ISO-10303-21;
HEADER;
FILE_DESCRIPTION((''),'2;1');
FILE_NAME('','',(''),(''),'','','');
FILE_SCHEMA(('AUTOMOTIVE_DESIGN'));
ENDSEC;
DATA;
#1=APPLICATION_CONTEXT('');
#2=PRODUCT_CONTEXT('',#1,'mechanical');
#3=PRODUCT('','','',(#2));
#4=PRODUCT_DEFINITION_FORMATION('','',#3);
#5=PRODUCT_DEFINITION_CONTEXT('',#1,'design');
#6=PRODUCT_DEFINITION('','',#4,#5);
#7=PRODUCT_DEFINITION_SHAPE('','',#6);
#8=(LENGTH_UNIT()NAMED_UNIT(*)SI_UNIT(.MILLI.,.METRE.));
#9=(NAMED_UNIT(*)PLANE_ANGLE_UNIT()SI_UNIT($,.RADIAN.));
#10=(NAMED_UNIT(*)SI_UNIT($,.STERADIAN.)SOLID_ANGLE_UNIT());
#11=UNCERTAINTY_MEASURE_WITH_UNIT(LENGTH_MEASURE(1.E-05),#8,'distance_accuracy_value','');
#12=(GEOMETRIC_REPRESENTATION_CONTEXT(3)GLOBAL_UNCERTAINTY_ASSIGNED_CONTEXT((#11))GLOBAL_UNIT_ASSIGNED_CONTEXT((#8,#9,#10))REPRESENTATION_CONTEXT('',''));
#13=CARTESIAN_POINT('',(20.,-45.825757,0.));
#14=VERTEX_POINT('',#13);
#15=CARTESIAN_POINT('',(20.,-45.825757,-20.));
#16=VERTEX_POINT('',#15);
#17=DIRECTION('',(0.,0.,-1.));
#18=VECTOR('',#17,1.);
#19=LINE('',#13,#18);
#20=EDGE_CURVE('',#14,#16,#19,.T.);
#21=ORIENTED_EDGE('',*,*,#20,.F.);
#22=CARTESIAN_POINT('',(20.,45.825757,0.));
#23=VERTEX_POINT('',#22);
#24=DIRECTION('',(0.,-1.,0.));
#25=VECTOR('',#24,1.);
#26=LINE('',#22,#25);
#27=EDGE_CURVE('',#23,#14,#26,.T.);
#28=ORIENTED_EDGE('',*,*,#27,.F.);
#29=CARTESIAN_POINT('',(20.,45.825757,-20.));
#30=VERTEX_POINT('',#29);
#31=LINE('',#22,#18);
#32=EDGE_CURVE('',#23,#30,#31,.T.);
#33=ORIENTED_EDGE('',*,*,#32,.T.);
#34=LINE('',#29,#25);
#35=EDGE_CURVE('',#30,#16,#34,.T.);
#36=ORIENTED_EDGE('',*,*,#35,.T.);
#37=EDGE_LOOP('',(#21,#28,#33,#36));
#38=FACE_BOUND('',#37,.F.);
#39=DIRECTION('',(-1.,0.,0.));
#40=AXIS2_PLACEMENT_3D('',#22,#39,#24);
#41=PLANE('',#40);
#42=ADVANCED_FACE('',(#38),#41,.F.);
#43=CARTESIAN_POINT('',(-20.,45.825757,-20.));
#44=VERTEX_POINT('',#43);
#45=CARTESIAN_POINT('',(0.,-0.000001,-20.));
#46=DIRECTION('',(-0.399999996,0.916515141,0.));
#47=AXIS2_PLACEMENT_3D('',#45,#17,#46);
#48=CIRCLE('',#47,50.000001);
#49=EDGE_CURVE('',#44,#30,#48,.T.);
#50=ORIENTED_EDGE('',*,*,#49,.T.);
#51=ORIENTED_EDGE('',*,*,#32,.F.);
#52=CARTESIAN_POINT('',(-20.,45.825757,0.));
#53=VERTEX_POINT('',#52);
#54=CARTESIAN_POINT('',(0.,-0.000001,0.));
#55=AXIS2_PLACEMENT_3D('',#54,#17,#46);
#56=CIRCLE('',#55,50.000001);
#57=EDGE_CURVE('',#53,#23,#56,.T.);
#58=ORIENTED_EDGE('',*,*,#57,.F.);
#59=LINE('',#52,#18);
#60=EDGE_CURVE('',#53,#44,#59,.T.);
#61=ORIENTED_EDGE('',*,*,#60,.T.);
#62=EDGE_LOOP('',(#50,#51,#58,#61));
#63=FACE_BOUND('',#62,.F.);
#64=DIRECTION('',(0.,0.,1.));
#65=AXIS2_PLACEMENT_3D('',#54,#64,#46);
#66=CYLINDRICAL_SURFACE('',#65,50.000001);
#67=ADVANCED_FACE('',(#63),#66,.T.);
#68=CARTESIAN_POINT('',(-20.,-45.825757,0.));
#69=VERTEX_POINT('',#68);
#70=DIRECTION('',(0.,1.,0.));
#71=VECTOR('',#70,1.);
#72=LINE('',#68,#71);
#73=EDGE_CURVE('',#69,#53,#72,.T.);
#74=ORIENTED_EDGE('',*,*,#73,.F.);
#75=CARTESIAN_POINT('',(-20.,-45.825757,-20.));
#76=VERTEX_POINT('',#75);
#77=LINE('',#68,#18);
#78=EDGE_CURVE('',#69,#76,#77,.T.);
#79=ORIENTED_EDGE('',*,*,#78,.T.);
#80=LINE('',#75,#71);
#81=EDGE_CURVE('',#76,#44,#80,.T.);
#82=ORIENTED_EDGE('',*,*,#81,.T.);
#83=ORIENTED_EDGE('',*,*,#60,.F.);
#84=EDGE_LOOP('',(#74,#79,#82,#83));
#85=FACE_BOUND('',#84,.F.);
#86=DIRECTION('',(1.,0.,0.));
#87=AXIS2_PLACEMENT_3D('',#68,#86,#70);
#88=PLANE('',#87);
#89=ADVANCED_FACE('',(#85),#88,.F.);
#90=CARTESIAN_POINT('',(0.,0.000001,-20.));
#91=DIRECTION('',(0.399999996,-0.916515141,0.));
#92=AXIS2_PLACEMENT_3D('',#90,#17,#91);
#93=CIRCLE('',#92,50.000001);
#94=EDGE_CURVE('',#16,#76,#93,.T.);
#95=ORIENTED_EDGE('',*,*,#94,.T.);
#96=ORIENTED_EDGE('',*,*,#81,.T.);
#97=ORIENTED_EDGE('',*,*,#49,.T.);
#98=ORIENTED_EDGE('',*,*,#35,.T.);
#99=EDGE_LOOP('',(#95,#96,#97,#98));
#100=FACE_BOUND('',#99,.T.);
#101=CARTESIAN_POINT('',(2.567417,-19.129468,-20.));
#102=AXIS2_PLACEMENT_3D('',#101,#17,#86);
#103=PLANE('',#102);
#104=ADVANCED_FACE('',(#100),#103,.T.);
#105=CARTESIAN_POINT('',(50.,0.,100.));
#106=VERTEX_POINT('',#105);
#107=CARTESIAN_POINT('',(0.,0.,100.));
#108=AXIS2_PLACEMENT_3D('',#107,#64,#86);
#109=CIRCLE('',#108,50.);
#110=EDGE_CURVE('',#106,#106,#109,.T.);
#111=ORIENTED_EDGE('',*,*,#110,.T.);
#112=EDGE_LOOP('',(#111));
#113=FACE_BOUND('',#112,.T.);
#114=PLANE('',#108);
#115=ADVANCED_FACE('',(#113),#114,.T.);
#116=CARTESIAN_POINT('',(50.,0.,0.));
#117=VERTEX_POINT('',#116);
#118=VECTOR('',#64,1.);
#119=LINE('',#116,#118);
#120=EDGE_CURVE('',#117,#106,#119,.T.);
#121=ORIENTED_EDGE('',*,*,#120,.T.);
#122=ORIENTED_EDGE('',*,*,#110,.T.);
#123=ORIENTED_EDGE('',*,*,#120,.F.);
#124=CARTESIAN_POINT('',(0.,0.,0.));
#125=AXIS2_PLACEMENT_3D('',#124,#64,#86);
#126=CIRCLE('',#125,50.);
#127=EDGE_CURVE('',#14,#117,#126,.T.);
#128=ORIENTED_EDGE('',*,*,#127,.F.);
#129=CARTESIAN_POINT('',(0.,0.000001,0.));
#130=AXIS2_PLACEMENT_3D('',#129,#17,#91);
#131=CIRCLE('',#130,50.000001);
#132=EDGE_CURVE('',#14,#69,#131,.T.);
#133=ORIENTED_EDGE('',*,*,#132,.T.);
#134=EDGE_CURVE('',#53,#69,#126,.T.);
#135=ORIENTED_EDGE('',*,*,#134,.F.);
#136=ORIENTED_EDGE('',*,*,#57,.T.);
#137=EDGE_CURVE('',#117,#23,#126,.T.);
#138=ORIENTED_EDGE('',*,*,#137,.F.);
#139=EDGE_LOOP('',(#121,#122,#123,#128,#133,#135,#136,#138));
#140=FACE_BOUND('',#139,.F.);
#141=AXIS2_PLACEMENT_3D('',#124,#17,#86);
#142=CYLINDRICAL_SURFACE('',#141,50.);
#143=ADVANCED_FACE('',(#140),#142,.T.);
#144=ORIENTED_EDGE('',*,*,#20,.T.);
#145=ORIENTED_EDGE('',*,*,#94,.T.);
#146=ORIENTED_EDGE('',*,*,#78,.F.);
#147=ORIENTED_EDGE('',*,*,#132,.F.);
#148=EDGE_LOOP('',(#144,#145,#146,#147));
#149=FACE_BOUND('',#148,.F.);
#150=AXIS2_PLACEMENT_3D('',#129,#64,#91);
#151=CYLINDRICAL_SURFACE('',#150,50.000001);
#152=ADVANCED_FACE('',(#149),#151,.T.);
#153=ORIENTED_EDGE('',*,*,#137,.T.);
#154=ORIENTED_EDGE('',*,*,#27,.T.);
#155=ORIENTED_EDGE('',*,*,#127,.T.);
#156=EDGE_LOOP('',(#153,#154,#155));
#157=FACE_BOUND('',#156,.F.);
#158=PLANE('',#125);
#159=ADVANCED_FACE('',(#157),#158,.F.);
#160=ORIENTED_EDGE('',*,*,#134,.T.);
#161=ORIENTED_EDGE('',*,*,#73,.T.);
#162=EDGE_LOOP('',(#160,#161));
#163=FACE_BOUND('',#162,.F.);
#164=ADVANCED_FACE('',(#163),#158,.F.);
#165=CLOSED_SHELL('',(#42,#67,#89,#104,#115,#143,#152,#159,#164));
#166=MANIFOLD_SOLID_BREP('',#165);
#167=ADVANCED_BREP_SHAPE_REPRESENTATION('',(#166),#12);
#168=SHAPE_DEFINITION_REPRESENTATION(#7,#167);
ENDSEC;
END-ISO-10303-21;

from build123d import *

# Parameters (mm, degrees)
F0_R     = 50
F1_DEPTH = 100
F3_DEPTH = 20


with BuildPart() as f1:
    # F0 (on Top) → F1 (new body)
    with BuildSketch(Plane.XY):
        Circle(F0_R)
    extrude(amount=F1_DEPTH)

    # F2 (on face) → F3 (join)
    with BuildSketch(Plane(origin=(0, 0, 0), x_dir=(1, 0, 0), z_dir=(0, 0, -1))):
        Polygon((-20, 0), (0, 0), (1.783647, 0), (20, 45.825757), align=None)
        Polygon((1.783647, 0), (0, 0), (-20, 0), (-20, -45.825757), (20, -45.825757), (20, 0), align=None)
        Polygon((20, 45.825757), (1.783647, 0), (20, 0), align=None)
        with BuildLine():
            Line((-20, 45.825757), (-20, 0))
            Line((-20, 0), (20, 45.825757))
            ThreePointArc((20, 45.825757), (0, 50), (-20, 45.825757))
        make_face()
        with BuildLine():
            Line((20, -45.825757), (-20, -45.825757))
            ThreePointArc((-20, -45.825757), (0, -50), (20, -45.825757))
        make_face()
    extrude(amount=F3_DEPTH)


solid = f1.part
